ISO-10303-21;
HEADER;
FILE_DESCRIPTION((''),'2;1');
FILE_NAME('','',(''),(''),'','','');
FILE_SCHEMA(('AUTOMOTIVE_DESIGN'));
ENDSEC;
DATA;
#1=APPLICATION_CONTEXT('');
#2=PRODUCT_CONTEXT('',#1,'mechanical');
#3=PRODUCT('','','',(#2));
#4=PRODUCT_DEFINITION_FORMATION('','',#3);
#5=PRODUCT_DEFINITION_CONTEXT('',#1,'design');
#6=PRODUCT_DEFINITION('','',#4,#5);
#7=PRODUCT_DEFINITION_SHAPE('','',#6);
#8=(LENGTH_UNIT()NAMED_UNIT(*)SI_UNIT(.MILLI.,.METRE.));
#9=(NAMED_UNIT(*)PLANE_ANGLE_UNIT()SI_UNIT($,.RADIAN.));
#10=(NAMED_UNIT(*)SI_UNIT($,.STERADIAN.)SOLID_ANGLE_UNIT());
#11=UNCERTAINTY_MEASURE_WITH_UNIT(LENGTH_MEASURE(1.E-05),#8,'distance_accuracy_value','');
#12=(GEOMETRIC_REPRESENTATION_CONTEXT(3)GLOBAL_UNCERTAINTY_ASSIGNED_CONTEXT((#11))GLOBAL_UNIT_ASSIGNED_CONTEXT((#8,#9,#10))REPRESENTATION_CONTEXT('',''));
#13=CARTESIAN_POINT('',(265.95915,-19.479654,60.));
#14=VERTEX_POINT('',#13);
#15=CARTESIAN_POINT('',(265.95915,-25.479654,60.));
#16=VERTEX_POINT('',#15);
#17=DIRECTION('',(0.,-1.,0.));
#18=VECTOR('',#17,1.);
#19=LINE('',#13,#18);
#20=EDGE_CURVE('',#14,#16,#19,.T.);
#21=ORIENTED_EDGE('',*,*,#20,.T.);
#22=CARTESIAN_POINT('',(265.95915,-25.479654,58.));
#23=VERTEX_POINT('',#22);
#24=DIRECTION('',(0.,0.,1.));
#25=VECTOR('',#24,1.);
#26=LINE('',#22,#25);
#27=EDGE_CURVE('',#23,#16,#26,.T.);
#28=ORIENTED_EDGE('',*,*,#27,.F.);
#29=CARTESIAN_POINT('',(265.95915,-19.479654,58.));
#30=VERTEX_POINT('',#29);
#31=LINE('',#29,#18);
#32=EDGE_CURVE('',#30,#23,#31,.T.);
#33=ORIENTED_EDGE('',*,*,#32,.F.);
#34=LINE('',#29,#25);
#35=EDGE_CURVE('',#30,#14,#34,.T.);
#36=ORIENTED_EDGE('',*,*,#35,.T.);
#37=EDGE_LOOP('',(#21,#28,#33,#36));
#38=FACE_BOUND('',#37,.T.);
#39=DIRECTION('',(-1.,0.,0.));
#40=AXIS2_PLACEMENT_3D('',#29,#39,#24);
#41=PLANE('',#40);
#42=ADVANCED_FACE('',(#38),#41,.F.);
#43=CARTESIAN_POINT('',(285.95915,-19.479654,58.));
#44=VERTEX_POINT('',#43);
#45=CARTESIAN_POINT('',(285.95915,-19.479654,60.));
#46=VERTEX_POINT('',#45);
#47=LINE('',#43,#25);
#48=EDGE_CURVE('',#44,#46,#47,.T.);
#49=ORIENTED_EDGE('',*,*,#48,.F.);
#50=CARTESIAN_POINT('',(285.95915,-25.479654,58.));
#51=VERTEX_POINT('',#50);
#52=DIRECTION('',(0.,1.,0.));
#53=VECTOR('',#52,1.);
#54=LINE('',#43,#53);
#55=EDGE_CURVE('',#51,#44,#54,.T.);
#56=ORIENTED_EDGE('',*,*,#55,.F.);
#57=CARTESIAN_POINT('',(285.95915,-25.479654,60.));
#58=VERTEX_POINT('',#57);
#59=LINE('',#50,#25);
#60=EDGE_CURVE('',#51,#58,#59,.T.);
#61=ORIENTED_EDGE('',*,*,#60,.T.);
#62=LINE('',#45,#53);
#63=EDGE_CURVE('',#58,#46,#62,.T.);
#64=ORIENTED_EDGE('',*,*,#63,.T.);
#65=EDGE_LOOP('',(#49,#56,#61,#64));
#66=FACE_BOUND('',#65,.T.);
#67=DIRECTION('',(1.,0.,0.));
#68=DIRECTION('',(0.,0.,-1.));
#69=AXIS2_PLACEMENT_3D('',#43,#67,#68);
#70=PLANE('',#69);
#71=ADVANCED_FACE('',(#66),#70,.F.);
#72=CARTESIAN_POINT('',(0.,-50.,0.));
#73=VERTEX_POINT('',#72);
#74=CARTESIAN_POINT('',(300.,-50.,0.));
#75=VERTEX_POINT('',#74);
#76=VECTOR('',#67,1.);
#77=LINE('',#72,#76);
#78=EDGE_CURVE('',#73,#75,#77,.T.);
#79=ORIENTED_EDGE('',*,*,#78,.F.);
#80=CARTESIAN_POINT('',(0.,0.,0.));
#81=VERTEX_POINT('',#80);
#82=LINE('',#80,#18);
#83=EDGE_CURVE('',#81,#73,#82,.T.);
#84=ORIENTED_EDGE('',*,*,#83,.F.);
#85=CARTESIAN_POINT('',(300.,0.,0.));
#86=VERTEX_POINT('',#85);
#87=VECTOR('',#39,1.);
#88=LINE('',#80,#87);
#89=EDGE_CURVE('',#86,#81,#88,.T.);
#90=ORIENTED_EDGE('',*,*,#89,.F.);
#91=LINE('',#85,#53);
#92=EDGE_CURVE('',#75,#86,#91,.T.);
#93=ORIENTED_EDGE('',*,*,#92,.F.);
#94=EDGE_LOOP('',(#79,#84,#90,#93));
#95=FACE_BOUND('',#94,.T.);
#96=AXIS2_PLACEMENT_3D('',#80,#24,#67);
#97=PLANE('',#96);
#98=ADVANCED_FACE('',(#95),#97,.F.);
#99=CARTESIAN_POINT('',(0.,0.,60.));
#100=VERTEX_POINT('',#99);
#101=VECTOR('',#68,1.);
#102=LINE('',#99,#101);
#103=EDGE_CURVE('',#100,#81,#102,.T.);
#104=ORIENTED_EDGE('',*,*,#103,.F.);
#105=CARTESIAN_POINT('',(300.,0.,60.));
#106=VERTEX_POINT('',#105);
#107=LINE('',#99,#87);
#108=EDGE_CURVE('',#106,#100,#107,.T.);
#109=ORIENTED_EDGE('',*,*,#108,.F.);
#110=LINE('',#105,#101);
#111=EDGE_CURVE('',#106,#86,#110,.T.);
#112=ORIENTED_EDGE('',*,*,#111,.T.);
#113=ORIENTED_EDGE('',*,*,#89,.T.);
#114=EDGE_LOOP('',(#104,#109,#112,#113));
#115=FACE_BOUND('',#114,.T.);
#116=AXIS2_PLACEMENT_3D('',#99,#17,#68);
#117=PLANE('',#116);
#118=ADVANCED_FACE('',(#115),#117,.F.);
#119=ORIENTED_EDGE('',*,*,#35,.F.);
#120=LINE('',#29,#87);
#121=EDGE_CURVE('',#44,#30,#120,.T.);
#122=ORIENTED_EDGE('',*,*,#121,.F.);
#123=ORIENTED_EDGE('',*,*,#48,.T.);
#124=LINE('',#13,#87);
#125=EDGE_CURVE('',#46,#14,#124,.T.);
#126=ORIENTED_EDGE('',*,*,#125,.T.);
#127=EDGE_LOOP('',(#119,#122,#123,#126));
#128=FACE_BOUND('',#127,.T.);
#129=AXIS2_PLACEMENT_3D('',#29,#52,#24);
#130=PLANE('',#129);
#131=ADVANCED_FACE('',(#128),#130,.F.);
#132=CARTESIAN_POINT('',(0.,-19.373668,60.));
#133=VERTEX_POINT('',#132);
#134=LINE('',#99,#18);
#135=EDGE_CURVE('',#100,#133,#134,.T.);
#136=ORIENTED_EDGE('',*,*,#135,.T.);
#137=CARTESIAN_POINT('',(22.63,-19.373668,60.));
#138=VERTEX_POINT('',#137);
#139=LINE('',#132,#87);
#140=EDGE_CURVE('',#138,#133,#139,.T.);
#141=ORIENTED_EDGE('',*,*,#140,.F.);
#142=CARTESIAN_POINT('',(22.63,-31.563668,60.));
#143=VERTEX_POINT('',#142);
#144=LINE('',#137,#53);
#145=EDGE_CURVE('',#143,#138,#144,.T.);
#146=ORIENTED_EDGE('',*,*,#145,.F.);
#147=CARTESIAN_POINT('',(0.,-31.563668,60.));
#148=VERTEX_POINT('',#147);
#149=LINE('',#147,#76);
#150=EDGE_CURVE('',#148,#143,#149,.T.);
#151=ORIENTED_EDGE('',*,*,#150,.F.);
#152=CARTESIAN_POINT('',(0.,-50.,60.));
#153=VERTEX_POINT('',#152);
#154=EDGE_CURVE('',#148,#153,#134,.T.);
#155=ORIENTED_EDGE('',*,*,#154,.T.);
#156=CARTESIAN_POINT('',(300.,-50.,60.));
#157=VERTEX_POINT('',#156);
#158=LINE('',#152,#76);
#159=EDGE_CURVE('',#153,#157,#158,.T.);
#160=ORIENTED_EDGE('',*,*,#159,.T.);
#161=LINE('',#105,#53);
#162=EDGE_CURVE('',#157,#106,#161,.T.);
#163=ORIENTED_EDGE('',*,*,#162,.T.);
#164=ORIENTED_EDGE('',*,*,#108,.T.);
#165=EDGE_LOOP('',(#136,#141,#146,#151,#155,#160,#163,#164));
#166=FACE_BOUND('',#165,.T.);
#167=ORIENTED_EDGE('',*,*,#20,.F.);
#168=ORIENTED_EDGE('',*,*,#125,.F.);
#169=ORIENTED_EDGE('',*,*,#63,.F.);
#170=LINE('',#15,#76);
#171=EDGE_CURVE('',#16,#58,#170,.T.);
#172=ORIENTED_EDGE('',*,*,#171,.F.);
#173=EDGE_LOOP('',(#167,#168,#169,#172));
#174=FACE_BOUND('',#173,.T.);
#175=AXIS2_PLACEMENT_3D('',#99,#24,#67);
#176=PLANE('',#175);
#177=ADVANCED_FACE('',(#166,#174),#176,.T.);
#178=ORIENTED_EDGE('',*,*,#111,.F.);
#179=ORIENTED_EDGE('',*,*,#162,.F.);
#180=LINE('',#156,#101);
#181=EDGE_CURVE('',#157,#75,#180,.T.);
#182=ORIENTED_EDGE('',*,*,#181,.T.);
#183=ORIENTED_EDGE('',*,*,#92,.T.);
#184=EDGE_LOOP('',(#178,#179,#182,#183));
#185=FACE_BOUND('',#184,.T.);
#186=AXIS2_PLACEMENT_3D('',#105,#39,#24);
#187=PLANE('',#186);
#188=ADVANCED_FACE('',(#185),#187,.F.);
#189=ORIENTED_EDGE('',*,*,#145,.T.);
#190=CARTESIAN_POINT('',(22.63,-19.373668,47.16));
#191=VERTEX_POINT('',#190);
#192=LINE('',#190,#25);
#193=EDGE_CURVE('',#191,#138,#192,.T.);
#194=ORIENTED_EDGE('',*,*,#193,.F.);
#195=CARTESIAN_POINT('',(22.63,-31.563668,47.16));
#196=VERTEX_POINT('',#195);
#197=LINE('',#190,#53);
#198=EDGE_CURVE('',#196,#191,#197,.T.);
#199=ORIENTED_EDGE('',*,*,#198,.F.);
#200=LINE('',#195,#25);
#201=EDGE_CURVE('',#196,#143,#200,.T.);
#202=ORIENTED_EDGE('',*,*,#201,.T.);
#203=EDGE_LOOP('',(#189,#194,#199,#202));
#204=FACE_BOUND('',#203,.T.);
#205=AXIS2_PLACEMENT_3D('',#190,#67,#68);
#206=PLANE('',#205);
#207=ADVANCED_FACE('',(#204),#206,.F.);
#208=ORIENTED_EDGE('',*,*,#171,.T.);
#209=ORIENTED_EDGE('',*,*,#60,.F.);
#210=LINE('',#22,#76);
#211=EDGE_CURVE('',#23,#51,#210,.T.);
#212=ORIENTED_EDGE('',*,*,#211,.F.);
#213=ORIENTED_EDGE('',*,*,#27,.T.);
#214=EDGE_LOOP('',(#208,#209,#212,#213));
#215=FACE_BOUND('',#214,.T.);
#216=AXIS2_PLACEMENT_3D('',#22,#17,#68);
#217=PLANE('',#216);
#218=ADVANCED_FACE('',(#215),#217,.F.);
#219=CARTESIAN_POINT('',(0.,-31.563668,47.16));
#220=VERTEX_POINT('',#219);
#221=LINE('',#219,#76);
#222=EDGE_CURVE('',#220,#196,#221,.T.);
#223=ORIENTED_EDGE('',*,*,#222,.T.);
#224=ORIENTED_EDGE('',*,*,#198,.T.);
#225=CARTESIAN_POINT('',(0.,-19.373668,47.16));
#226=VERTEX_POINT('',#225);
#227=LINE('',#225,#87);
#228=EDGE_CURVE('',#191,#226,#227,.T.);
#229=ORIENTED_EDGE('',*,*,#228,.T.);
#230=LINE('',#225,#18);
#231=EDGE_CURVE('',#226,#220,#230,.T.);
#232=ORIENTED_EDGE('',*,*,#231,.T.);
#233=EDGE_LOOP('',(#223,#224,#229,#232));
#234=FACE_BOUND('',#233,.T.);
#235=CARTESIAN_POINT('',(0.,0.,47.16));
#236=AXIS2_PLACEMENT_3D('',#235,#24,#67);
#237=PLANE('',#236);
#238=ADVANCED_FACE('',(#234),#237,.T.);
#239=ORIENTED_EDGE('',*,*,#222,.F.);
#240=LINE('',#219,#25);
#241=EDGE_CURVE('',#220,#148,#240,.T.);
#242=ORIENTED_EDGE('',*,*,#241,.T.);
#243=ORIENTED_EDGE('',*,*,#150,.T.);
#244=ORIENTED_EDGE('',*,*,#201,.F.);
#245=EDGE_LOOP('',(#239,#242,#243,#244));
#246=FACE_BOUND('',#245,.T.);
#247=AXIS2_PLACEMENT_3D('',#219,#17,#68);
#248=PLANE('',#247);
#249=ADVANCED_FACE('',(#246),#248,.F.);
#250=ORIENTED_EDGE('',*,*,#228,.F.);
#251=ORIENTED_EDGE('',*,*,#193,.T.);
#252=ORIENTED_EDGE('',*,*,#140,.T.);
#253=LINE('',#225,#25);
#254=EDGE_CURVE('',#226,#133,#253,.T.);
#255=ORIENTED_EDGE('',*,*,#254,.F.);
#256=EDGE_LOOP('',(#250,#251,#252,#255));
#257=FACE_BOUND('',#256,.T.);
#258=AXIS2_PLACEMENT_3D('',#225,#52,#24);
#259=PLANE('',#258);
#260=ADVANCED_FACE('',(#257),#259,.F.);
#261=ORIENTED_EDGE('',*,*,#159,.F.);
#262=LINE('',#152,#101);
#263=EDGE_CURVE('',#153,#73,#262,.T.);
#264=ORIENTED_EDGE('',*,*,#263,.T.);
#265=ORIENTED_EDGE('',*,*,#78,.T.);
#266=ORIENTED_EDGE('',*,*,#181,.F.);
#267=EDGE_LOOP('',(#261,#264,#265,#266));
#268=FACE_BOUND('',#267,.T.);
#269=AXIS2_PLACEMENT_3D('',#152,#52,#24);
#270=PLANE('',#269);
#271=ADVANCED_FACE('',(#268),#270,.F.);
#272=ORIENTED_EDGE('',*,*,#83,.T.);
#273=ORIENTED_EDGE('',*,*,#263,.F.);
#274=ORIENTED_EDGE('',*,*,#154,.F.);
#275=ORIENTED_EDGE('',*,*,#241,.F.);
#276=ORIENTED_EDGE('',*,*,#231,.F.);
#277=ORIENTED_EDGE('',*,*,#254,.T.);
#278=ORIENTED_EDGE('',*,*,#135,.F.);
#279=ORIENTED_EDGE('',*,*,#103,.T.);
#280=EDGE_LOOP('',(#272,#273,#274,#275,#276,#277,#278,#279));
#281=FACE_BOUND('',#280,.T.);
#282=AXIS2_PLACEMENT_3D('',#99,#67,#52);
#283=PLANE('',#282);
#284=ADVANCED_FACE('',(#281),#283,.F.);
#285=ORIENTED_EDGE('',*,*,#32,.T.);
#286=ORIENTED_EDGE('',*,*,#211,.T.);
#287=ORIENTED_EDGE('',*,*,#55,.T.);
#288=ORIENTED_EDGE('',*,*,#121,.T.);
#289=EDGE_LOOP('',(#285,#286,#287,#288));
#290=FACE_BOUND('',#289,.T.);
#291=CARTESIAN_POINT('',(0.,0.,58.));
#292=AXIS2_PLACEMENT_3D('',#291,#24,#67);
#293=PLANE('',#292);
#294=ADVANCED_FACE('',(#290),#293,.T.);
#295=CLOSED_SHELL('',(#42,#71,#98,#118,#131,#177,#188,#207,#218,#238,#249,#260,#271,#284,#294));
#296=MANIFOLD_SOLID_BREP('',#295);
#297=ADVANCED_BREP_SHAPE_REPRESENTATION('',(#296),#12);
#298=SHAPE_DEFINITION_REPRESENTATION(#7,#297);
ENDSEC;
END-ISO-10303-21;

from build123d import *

# Parameters (mm, degrees)
SKETCH1_W           = 300
SKETCH1_H           = 50
BOSS_EXTRUDE1_DEPTH = 60
SKETCH5_W           = 22.63
SKETCH5_H           = 12.19
CUT_EXTRUDE2_DEPTH  = 12.84
SKETCH4_W           = 20
SKETCH4_H           = 6
CUT_EXTRUDE3_DEPTH  = 2


with BuildPart() as part:
    # Sketch1 → Boss-Extrude1 (new body)
    with BuildSketch(Plane.XY):
        with Locations((150, -25)):
            Rectangle(SKETCH1_W, SKETCH1_H)
    extrude(amount=BOSS_EXTRUDE1_DEPTH)

    # Sketch5 → Cut-Extrude2 (cut)
    with BuildSketch(Plane.XY.offset(60)):
        with Locations((11.315, -25.468667548)):
            Rectangle(SKETCH5_W, SKETCH5_H)
    extrude(amount=-CUT_EXTRUDE2_DEPTH, mode=Mode.SUBTRACT)

    # Sketch4 → Cut-Extrude3 (cut)
    with BuildSketch(Plane.XY.offset(60)):
        with Locations((275.959149907, -22.479653517)):
            Rectangle(SKETCH4_W, SKETCH4_H)
    extrude(amount=-CUT_EXTRUDE3_DEPTH, mode=Mode.SUBTRACT)


solid = part.part
